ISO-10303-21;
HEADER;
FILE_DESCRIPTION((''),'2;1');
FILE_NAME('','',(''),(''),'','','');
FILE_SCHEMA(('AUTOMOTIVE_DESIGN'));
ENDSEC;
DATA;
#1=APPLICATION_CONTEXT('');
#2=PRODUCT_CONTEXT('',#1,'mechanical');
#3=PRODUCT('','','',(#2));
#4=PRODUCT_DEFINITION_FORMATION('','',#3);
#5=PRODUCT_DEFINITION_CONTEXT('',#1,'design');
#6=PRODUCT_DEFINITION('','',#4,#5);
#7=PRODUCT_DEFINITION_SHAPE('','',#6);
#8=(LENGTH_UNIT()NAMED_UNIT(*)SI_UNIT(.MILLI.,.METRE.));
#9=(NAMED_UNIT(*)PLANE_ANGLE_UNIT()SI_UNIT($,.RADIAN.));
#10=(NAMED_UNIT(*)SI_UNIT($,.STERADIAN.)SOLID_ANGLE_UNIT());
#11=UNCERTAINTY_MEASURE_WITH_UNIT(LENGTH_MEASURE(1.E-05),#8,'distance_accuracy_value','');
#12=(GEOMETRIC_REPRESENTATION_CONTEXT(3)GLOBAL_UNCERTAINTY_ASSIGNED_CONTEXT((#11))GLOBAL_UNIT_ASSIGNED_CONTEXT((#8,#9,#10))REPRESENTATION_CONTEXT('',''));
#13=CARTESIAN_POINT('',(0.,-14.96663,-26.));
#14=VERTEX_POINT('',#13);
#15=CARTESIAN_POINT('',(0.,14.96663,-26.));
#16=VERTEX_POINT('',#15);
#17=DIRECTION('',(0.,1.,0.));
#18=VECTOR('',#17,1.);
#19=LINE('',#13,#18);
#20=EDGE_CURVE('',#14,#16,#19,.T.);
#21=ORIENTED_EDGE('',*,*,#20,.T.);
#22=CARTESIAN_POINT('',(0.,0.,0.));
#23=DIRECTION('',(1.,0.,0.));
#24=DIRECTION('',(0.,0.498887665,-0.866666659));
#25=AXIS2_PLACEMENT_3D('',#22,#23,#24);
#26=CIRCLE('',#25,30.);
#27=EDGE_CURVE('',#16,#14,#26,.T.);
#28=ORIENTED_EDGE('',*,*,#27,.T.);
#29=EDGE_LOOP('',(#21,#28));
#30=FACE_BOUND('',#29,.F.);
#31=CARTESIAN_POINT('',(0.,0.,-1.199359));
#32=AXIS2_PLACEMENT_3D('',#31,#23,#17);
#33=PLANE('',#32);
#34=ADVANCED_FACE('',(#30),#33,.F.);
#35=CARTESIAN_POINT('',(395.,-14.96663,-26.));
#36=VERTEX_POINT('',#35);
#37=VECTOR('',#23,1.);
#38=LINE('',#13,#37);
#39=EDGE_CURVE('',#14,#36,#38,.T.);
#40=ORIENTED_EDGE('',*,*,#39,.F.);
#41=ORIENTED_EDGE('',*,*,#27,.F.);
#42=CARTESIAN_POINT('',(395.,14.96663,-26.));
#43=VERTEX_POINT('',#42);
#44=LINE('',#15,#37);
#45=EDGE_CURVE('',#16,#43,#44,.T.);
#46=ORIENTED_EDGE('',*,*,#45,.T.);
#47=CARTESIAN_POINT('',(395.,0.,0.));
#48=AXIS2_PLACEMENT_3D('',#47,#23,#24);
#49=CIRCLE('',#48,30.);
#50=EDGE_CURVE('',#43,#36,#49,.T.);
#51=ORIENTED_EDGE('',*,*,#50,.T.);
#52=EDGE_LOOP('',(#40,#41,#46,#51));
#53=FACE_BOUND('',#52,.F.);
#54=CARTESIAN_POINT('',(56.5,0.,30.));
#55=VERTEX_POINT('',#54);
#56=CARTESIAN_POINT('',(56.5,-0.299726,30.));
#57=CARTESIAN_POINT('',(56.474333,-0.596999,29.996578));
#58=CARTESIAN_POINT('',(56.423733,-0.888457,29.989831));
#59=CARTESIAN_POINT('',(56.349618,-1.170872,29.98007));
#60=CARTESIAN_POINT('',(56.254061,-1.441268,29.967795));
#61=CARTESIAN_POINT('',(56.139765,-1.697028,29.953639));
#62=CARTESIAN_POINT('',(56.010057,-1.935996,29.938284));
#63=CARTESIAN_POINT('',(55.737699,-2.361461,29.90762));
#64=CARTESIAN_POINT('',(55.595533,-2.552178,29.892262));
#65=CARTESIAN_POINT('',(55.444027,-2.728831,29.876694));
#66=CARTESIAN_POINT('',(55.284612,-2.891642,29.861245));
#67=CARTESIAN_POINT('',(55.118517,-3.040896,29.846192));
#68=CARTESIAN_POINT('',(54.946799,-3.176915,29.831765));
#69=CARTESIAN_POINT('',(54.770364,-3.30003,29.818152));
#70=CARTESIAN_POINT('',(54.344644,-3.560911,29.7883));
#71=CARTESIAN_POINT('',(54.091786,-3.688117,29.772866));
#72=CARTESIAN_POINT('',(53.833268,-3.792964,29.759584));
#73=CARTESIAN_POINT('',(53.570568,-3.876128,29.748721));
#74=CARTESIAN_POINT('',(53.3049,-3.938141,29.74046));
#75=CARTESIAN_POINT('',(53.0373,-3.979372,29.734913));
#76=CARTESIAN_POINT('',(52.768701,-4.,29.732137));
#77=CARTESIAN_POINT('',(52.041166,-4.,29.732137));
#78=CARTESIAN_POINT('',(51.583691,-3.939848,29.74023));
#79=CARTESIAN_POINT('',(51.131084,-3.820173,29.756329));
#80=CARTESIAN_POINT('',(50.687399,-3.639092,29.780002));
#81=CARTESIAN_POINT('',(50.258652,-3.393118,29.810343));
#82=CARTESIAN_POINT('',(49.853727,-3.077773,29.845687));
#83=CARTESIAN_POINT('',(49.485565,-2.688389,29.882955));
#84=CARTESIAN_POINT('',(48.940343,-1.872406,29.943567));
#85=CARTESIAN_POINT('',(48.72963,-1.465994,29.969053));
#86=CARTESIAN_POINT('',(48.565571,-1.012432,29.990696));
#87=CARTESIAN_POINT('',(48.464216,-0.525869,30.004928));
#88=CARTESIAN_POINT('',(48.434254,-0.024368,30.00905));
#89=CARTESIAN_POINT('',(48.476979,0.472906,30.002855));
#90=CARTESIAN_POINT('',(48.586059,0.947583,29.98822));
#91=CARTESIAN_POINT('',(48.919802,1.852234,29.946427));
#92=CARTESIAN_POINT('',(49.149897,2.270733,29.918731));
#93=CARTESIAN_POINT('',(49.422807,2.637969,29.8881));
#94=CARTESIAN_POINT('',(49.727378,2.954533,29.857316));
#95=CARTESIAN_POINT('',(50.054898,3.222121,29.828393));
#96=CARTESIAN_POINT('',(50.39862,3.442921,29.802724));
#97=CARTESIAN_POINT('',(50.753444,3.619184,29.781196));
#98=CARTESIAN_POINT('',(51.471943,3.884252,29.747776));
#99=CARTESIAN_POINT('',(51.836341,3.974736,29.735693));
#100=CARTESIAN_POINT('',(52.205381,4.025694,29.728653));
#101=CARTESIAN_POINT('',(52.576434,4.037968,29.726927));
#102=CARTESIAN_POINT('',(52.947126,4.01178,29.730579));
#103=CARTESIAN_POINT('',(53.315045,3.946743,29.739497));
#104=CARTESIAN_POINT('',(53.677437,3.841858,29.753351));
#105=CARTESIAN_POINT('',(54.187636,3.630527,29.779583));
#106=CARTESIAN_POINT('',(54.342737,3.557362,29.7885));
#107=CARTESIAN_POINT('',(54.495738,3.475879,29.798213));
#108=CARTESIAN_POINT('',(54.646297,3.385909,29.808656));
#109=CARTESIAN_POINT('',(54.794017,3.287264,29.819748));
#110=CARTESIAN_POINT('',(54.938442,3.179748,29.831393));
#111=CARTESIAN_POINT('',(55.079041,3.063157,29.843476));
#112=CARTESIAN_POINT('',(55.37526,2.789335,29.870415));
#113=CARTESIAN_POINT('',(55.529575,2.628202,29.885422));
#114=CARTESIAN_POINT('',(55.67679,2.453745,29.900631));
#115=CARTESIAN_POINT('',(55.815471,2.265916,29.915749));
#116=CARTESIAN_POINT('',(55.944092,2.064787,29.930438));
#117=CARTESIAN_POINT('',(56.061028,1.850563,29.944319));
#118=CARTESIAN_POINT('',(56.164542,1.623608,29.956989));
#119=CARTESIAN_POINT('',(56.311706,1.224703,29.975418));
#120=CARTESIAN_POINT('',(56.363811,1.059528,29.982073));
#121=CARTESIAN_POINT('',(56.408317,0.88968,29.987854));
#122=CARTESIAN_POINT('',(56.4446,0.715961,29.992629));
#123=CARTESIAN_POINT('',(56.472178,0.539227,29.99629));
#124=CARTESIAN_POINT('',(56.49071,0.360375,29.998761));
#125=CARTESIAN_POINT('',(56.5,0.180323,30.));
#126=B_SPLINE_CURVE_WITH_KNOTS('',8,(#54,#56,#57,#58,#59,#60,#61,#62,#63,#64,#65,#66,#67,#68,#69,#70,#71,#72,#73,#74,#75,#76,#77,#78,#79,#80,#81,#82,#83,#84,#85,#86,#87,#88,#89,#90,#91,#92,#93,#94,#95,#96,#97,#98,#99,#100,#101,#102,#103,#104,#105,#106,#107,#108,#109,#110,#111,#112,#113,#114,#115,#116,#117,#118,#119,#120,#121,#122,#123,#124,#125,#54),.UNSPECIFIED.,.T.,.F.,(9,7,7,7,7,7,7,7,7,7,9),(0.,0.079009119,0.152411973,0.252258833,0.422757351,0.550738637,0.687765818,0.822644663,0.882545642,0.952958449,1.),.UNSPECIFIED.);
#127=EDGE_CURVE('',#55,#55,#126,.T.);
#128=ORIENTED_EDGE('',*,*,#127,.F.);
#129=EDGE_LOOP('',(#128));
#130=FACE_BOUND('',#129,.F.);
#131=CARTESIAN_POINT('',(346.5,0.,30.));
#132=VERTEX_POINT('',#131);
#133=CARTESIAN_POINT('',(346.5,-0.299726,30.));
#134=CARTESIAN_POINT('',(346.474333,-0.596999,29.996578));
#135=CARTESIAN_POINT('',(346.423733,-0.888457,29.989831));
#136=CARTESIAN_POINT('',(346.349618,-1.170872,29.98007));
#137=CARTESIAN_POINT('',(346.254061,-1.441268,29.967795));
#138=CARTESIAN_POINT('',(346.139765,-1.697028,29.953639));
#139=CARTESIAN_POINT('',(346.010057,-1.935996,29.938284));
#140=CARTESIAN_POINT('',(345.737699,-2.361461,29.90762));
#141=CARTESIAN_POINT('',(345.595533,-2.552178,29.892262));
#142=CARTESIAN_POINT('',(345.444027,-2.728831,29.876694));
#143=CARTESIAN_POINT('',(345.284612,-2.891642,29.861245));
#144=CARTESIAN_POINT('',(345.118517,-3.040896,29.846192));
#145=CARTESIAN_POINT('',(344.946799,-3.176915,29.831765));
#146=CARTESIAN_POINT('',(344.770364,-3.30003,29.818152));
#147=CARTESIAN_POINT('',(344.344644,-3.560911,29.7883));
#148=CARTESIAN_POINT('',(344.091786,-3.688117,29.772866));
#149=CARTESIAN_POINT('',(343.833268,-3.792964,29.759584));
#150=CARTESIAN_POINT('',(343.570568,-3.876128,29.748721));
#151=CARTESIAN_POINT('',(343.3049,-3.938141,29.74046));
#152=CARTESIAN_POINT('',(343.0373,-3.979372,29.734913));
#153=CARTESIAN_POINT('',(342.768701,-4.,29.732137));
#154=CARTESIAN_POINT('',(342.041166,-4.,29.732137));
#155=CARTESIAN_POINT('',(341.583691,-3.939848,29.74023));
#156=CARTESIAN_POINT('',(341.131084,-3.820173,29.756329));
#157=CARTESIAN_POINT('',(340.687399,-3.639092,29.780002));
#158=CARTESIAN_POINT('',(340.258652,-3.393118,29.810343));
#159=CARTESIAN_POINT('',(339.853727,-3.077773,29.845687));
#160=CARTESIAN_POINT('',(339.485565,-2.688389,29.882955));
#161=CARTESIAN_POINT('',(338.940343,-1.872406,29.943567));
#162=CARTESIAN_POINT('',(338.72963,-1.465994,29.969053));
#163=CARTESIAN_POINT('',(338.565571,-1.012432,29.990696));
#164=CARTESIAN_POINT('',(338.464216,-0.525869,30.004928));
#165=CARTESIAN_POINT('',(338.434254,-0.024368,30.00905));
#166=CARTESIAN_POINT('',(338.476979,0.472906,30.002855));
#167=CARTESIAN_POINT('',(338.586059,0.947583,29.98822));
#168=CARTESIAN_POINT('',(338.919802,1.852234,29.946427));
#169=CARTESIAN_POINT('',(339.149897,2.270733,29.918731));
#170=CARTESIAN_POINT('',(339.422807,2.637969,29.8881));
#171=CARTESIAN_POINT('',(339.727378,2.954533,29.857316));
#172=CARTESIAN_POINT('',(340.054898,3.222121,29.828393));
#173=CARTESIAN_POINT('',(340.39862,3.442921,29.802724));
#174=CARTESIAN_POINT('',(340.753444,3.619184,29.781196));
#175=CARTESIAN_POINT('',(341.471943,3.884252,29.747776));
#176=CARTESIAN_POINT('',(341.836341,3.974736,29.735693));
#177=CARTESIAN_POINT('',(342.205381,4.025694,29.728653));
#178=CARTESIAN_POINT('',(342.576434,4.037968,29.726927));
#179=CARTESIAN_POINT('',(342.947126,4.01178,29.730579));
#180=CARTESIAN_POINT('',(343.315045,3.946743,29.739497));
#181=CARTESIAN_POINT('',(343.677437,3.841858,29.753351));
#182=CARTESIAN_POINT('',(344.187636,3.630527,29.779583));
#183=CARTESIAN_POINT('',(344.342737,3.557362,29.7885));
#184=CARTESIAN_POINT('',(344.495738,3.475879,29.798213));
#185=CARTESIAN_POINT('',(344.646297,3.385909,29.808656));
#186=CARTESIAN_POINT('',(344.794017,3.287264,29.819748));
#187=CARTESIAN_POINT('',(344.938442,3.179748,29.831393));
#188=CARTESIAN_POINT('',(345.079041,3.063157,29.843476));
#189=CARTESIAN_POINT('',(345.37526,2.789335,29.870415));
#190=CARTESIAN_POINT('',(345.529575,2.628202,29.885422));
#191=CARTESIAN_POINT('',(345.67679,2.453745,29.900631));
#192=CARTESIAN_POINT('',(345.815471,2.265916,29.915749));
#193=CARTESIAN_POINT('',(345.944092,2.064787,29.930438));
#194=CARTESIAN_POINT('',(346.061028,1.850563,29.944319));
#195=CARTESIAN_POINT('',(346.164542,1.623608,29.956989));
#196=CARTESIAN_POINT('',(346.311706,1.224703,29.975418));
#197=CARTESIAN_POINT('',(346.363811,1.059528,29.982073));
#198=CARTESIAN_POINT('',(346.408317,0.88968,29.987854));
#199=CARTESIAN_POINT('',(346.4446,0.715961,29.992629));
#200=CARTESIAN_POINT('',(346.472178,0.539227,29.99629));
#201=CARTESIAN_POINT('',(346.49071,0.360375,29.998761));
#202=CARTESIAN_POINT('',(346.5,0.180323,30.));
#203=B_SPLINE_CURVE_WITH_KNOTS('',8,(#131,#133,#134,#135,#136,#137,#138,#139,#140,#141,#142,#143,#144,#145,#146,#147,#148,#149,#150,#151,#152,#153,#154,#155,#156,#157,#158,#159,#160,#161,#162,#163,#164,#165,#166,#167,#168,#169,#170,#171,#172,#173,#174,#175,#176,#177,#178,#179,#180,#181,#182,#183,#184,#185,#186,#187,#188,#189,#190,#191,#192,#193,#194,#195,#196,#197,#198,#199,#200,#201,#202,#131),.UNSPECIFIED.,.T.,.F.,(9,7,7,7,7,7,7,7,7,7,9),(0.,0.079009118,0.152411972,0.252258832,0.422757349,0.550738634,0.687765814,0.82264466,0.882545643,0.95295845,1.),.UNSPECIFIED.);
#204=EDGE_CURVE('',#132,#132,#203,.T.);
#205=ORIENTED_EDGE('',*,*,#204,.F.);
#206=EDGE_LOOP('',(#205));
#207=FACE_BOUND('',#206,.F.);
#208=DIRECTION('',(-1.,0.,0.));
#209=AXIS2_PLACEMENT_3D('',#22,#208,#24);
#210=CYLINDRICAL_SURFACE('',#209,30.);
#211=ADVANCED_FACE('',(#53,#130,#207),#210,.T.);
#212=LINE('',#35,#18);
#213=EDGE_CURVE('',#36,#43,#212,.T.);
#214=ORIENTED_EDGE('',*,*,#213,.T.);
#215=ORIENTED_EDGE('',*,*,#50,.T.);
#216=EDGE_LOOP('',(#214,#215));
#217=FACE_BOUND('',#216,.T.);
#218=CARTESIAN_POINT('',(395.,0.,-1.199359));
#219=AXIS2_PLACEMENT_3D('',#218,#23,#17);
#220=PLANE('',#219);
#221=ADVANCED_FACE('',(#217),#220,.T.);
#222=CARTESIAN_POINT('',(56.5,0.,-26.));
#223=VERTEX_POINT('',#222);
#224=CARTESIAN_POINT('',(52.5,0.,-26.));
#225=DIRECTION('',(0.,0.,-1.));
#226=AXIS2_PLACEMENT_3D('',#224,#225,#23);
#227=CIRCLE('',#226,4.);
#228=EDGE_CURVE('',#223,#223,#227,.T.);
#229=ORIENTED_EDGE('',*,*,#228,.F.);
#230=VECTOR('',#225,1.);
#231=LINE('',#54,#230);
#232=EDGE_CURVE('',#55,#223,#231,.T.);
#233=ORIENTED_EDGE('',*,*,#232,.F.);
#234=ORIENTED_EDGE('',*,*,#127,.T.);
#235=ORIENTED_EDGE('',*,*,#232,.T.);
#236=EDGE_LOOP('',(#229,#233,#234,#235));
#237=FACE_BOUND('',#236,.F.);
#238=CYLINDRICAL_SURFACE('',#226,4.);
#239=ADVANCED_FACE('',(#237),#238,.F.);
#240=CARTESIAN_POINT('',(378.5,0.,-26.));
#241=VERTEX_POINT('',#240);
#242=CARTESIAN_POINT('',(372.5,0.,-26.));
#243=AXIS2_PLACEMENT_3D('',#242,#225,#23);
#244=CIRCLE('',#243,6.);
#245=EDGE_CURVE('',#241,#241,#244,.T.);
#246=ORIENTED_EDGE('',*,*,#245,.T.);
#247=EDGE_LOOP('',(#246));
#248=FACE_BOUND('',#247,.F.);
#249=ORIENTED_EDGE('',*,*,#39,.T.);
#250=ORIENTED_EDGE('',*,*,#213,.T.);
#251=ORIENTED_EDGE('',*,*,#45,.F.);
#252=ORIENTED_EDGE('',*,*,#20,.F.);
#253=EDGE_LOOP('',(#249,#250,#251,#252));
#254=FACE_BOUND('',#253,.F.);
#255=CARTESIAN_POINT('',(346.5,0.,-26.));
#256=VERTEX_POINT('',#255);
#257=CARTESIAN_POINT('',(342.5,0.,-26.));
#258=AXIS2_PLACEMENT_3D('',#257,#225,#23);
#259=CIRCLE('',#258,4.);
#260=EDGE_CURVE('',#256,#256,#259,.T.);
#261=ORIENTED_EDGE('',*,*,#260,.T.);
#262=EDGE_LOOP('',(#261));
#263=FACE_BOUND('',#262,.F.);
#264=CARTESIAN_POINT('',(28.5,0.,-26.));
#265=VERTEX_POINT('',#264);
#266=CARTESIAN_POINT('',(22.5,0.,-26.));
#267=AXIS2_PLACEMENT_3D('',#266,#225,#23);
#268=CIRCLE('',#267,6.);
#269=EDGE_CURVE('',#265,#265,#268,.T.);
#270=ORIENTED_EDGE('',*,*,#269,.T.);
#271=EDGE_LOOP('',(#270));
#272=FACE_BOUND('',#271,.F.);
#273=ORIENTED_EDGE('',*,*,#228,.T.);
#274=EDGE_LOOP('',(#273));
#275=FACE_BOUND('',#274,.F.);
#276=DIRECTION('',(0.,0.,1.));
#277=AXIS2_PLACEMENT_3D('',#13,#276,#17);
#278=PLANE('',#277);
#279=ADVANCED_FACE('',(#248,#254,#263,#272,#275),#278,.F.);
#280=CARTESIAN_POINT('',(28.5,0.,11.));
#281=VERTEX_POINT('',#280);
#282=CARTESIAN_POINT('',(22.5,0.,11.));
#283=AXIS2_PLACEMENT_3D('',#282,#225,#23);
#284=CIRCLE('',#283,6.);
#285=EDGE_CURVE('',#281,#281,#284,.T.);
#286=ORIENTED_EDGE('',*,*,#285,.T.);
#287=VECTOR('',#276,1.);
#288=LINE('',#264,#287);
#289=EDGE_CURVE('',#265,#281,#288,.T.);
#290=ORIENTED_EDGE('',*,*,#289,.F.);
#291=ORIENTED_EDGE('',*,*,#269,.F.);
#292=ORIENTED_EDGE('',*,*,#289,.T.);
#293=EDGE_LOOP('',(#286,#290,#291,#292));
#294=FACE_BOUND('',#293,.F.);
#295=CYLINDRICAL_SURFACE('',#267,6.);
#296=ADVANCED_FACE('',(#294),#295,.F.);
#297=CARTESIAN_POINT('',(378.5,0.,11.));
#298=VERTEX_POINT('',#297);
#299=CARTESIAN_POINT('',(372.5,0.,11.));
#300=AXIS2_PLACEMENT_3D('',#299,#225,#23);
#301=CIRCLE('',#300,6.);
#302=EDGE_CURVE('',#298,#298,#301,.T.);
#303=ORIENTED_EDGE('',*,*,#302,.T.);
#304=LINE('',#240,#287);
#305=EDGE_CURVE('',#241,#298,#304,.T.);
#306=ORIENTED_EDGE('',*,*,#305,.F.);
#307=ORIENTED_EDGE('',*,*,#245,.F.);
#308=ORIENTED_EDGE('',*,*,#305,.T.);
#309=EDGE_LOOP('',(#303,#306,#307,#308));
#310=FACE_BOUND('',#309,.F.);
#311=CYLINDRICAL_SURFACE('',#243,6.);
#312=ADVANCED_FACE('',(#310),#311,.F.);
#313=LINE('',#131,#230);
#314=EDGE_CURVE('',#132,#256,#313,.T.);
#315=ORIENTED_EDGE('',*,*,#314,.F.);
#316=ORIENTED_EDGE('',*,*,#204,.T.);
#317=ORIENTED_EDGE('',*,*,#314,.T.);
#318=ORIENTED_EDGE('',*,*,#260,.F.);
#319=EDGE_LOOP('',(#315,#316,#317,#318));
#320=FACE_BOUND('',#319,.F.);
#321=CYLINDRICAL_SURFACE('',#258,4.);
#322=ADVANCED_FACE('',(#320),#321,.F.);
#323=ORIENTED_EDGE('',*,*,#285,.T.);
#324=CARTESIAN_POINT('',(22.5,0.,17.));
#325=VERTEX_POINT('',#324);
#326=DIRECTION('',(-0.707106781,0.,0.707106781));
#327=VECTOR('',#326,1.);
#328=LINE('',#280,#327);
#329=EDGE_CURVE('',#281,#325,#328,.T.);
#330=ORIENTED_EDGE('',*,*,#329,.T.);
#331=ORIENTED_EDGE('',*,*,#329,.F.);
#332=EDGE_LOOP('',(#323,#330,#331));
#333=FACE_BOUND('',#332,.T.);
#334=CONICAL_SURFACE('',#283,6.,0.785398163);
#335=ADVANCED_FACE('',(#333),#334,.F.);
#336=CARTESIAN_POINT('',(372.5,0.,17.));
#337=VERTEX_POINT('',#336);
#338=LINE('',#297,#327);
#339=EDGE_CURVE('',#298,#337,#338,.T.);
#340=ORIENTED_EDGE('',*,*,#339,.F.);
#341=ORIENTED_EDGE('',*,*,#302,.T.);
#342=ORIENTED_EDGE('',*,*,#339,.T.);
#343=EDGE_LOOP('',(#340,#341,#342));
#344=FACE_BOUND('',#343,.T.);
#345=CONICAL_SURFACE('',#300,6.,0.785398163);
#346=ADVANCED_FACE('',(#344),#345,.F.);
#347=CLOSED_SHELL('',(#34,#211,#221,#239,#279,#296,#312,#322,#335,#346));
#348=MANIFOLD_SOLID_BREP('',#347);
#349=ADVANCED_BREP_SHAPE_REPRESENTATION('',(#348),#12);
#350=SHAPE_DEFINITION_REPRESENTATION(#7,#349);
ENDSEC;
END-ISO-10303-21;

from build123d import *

# Parameters (mm, degrees)
F1_DEPTH = 395
F2_R     = 6
F2_R_2   = 4
F3_DEPTH = 43
F4_R     = 4
F5_DEPTH = 71
F6_SIZE  = 6


with BuildPart() as f1:
    # F0 (on Right) → F1 (new body)
    with BuildSketch(Plane.YZ):
        with BuildLine():
            Line((-14.96663, -26), (14.96663, -26))
            ThreePointArc((14.96663, -26), (0, 30), (-14.96663, -26))
        make_face()
    extrude(amount=F1_DEPTH)

    # F2 (on face) → F3 (cut)
    with BuildSketch(Plane(origin=(0, 0, -26), x_dir=(1, 0, 0), z_dir=(0, 0, -1))):
        with Locations((372.5, 0)):
            Circle(F2_R)
        with Locations((22.5, 0)):
            Circle(F2_R)
        with Locations((52.5, 0)):
            Circle(F2_R_2)
        with Locations((342.5, 0)):
            Circle(F2_R_2)
    extrude(amount=-F3_DEPTH, mode=Mode.SUBTRACT)

    # F4 (on face) → F5 (cut)
    with BuildSketch(Plane(origin=(0, 0, -26), x_dir=(1, 0, 0), z_dir=(0, 0, -1))):
        with Locations((52.5, 0)):
            Circle(F4_R)
        with Locations((342.5, 0)):
            Circle(F4_R)
    extrude(amount=-F5_DEPTH, mode=Mode.SUBTRACT)

    # F6
    f6_edges = [f1.edges().sort_by_distance(p)[0] for p in [
        (366.5, 0, 17),
        (16.5, 0, 17),
    ]]
    chamfer(f6_edges, length=F6_SIZE)


solid = f1.part
